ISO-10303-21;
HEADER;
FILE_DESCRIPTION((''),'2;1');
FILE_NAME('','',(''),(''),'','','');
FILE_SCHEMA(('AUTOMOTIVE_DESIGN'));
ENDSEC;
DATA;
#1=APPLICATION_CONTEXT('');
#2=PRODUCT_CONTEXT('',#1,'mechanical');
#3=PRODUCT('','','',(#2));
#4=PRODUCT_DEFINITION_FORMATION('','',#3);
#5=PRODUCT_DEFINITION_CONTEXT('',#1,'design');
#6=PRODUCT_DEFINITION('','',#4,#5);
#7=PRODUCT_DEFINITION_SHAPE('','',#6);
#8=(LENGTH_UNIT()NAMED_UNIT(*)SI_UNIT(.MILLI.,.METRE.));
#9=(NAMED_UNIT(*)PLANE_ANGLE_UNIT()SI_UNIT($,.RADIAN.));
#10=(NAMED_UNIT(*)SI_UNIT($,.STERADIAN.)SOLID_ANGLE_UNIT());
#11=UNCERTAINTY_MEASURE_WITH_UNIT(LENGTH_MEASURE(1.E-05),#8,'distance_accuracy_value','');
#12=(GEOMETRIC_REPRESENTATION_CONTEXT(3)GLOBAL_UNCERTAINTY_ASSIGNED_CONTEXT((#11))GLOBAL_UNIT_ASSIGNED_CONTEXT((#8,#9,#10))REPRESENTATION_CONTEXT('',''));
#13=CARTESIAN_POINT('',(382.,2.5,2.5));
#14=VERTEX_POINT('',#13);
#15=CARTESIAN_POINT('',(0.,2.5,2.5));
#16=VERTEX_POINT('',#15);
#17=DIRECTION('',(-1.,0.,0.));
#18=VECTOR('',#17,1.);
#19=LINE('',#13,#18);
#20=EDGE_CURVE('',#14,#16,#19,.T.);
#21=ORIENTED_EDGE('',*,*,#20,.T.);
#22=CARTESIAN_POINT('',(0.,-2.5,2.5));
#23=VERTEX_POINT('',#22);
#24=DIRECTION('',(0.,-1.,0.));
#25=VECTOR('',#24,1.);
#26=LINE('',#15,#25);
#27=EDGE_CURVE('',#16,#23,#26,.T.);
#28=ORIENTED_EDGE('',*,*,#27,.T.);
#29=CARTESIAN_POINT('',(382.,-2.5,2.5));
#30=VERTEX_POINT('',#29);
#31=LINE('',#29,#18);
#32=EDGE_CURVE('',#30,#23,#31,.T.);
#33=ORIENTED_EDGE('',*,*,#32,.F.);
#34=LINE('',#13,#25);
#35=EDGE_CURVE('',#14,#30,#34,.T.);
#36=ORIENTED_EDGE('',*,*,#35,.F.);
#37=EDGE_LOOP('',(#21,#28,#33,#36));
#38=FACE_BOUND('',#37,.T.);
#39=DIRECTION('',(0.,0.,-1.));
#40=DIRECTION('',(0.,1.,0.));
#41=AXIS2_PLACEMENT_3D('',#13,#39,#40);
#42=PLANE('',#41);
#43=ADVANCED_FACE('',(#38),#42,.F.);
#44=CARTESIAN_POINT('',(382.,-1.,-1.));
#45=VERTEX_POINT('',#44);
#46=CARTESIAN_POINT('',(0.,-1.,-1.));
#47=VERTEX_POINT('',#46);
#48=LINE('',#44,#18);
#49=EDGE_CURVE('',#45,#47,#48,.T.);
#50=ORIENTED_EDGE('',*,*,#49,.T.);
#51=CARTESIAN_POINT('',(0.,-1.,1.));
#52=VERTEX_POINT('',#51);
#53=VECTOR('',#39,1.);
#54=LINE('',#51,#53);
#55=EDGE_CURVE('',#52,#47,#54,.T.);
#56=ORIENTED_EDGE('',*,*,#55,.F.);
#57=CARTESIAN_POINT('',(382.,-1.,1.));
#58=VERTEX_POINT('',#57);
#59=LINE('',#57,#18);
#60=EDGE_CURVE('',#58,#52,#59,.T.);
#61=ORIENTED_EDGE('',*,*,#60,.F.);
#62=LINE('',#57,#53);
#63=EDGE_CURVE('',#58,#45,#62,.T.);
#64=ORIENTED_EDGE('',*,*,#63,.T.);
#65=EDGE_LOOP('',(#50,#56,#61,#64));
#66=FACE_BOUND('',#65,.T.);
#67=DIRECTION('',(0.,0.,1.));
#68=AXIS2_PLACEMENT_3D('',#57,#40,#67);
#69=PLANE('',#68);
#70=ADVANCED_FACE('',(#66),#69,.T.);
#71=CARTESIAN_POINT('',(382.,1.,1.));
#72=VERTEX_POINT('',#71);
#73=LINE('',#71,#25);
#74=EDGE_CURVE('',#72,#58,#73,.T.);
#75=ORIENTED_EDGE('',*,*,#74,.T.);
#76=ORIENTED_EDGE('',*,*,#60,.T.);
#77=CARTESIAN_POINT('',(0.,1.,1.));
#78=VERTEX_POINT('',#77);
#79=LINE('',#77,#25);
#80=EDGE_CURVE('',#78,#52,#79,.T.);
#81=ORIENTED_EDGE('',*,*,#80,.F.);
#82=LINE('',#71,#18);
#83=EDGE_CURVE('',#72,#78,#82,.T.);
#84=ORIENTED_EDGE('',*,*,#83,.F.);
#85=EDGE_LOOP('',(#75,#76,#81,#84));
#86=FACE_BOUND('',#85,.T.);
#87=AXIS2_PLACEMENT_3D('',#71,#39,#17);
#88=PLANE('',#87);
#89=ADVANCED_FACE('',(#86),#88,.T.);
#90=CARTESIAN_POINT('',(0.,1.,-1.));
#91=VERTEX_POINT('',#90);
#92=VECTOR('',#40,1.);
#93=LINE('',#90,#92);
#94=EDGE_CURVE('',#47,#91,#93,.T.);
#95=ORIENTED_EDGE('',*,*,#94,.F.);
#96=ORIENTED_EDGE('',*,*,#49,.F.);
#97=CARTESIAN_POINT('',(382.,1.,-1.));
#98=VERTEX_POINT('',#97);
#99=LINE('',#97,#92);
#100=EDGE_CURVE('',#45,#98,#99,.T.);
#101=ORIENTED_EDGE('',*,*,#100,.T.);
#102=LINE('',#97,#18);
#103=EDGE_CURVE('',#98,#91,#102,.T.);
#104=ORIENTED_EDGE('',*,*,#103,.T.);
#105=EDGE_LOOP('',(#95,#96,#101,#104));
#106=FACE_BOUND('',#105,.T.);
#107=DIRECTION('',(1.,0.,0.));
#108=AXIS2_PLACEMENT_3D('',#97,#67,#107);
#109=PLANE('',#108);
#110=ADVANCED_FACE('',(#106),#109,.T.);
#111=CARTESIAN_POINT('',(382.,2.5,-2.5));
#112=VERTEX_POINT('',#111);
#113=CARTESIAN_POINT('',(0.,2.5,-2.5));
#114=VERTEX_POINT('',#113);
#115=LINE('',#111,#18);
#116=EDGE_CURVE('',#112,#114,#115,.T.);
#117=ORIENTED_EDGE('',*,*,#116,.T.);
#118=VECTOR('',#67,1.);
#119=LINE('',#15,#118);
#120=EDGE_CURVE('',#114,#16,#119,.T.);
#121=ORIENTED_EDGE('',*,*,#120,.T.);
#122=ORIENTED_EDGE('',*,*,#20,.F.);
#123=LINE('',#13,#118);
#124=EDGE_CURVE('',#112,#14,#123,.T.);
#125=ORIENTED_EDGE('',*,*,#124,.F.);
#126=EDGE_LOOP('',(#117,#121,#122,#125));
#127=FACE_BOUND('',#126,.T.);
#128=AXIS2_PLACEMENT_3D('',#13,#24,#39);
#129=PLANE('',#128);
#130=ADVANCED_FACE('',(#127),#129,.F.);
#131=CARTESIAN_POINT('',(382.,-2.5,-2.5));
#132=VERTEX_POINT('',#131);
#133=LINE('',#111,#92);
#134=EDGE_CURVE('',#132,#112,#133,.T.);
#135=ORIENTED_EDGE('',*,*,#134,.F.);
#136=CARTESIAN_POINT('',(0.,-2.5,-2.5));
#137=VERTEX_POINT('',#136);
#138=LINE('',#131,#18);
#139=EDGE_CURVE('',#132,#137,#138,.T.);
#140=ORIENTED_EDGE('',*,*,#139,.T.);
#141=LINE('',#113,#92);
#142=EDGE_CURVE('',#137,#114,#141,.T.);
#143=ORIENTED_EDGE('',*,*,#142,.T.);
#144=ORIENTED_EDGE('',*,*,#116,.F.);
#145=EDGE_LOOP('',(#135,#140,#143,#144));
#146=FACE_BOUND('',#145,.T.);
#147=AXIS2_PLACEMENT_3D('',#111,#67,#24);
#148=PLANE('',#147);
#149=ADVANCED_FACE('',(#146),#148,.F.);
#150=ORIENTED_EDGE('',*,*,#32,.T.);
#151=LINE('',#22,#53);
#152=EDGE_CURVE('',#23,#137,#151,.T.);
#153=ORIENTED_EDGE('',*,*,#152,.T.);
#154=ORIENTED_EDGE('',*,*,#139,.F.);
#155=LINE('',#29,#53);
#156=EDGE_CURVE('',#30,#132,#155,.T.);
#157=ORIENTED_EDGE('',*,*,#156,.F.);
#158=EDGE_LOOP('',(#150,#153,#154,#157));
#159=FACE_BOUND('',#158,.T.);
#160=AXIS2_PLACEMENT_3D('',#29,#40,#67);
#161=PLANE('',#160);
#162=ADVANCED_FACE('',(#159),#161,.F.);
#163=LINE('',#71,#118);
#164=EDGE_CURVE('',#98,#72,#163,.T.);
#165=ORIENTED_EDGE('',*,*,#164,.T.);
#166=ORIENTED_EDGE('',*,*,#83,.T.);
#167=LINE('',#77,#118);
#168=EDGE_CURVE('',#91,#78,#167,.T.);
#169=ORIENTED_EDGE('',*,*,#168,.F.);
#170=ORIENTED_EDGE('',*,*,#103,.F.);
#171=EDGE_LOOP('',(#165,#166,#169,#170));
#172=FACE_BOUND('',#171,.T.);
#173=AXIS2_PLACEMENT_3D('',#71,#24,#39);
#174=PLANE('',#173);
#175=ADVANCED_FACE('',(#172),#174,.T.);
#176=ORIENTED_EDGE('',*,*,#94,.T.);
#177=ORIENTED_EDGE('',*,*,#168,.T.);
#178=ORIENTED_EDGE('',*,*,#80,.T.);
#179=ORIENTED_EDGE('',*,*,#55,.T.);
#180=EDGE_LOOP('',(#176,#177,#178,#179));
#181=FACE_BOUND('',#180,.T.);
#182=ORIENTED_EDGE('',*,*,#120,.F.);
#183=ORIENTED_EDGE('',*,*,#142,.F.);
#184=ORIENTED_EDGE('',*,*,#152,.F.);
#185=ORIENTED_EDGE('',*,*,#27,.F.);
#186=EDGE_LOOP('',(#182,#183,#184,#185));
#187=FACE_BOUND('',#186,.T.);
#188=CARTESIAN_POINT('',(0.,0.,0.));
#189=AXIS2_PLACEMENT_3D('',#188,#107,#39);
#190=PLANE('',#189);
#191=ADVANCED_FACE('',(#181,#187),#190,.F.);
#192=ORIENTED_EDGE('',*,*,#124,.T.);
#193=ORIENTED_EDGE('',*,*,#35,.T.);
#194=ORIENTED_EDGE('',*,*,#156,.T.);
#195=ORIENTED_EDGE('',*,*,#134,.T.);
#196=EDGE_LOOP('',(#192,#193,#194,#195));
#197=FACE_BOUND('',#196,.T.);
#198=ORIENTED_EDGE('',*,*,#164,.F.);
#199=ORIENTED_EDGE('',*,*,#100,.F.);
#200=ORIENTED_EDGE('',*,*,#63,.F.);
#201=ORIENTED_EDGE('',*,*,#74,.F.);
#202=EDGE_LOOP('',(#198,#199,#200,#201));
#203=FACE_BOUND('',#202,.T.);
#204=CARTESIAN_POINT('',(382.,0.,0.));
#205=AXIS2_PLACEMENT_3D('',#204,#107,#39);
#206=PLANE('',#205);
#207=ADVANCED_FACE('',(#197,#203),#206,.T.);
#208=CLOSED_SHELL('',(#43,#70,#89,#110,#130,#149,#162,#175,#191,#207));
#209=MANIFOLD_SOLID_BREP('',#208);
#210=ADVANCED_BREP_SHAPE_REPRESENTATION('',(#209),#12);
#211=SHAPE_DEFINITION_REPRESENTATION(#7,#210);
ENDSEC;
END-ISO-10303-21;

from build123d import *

# Parameters (mm, degrees)
SKETCH1_W           = 5
SKETCH1_H           = 5
SKETCH1_W_2         = 2
SKETCH1_H_2         = 2
BOSS_EXTRUDE1_DEPTH = 382


with BuildPart() as part:
    # Sketch1 → Boss-Extrude1 (new body)
    with BuildSketch(Plane(origin=(0, 0, 0), x_dir=(0, 0, -1), z_dir=(1, 0, 0))):
        Rectangle(SKETCH1_W, SKETCH1_H)
        Rectangle(SKETCH1_W_2, SKETCH1_H_2, mode=Mode.SUBTRACT)
    extrude(amount=BOSS_EXTRUDE1_DEPTH)


solid = part.part
